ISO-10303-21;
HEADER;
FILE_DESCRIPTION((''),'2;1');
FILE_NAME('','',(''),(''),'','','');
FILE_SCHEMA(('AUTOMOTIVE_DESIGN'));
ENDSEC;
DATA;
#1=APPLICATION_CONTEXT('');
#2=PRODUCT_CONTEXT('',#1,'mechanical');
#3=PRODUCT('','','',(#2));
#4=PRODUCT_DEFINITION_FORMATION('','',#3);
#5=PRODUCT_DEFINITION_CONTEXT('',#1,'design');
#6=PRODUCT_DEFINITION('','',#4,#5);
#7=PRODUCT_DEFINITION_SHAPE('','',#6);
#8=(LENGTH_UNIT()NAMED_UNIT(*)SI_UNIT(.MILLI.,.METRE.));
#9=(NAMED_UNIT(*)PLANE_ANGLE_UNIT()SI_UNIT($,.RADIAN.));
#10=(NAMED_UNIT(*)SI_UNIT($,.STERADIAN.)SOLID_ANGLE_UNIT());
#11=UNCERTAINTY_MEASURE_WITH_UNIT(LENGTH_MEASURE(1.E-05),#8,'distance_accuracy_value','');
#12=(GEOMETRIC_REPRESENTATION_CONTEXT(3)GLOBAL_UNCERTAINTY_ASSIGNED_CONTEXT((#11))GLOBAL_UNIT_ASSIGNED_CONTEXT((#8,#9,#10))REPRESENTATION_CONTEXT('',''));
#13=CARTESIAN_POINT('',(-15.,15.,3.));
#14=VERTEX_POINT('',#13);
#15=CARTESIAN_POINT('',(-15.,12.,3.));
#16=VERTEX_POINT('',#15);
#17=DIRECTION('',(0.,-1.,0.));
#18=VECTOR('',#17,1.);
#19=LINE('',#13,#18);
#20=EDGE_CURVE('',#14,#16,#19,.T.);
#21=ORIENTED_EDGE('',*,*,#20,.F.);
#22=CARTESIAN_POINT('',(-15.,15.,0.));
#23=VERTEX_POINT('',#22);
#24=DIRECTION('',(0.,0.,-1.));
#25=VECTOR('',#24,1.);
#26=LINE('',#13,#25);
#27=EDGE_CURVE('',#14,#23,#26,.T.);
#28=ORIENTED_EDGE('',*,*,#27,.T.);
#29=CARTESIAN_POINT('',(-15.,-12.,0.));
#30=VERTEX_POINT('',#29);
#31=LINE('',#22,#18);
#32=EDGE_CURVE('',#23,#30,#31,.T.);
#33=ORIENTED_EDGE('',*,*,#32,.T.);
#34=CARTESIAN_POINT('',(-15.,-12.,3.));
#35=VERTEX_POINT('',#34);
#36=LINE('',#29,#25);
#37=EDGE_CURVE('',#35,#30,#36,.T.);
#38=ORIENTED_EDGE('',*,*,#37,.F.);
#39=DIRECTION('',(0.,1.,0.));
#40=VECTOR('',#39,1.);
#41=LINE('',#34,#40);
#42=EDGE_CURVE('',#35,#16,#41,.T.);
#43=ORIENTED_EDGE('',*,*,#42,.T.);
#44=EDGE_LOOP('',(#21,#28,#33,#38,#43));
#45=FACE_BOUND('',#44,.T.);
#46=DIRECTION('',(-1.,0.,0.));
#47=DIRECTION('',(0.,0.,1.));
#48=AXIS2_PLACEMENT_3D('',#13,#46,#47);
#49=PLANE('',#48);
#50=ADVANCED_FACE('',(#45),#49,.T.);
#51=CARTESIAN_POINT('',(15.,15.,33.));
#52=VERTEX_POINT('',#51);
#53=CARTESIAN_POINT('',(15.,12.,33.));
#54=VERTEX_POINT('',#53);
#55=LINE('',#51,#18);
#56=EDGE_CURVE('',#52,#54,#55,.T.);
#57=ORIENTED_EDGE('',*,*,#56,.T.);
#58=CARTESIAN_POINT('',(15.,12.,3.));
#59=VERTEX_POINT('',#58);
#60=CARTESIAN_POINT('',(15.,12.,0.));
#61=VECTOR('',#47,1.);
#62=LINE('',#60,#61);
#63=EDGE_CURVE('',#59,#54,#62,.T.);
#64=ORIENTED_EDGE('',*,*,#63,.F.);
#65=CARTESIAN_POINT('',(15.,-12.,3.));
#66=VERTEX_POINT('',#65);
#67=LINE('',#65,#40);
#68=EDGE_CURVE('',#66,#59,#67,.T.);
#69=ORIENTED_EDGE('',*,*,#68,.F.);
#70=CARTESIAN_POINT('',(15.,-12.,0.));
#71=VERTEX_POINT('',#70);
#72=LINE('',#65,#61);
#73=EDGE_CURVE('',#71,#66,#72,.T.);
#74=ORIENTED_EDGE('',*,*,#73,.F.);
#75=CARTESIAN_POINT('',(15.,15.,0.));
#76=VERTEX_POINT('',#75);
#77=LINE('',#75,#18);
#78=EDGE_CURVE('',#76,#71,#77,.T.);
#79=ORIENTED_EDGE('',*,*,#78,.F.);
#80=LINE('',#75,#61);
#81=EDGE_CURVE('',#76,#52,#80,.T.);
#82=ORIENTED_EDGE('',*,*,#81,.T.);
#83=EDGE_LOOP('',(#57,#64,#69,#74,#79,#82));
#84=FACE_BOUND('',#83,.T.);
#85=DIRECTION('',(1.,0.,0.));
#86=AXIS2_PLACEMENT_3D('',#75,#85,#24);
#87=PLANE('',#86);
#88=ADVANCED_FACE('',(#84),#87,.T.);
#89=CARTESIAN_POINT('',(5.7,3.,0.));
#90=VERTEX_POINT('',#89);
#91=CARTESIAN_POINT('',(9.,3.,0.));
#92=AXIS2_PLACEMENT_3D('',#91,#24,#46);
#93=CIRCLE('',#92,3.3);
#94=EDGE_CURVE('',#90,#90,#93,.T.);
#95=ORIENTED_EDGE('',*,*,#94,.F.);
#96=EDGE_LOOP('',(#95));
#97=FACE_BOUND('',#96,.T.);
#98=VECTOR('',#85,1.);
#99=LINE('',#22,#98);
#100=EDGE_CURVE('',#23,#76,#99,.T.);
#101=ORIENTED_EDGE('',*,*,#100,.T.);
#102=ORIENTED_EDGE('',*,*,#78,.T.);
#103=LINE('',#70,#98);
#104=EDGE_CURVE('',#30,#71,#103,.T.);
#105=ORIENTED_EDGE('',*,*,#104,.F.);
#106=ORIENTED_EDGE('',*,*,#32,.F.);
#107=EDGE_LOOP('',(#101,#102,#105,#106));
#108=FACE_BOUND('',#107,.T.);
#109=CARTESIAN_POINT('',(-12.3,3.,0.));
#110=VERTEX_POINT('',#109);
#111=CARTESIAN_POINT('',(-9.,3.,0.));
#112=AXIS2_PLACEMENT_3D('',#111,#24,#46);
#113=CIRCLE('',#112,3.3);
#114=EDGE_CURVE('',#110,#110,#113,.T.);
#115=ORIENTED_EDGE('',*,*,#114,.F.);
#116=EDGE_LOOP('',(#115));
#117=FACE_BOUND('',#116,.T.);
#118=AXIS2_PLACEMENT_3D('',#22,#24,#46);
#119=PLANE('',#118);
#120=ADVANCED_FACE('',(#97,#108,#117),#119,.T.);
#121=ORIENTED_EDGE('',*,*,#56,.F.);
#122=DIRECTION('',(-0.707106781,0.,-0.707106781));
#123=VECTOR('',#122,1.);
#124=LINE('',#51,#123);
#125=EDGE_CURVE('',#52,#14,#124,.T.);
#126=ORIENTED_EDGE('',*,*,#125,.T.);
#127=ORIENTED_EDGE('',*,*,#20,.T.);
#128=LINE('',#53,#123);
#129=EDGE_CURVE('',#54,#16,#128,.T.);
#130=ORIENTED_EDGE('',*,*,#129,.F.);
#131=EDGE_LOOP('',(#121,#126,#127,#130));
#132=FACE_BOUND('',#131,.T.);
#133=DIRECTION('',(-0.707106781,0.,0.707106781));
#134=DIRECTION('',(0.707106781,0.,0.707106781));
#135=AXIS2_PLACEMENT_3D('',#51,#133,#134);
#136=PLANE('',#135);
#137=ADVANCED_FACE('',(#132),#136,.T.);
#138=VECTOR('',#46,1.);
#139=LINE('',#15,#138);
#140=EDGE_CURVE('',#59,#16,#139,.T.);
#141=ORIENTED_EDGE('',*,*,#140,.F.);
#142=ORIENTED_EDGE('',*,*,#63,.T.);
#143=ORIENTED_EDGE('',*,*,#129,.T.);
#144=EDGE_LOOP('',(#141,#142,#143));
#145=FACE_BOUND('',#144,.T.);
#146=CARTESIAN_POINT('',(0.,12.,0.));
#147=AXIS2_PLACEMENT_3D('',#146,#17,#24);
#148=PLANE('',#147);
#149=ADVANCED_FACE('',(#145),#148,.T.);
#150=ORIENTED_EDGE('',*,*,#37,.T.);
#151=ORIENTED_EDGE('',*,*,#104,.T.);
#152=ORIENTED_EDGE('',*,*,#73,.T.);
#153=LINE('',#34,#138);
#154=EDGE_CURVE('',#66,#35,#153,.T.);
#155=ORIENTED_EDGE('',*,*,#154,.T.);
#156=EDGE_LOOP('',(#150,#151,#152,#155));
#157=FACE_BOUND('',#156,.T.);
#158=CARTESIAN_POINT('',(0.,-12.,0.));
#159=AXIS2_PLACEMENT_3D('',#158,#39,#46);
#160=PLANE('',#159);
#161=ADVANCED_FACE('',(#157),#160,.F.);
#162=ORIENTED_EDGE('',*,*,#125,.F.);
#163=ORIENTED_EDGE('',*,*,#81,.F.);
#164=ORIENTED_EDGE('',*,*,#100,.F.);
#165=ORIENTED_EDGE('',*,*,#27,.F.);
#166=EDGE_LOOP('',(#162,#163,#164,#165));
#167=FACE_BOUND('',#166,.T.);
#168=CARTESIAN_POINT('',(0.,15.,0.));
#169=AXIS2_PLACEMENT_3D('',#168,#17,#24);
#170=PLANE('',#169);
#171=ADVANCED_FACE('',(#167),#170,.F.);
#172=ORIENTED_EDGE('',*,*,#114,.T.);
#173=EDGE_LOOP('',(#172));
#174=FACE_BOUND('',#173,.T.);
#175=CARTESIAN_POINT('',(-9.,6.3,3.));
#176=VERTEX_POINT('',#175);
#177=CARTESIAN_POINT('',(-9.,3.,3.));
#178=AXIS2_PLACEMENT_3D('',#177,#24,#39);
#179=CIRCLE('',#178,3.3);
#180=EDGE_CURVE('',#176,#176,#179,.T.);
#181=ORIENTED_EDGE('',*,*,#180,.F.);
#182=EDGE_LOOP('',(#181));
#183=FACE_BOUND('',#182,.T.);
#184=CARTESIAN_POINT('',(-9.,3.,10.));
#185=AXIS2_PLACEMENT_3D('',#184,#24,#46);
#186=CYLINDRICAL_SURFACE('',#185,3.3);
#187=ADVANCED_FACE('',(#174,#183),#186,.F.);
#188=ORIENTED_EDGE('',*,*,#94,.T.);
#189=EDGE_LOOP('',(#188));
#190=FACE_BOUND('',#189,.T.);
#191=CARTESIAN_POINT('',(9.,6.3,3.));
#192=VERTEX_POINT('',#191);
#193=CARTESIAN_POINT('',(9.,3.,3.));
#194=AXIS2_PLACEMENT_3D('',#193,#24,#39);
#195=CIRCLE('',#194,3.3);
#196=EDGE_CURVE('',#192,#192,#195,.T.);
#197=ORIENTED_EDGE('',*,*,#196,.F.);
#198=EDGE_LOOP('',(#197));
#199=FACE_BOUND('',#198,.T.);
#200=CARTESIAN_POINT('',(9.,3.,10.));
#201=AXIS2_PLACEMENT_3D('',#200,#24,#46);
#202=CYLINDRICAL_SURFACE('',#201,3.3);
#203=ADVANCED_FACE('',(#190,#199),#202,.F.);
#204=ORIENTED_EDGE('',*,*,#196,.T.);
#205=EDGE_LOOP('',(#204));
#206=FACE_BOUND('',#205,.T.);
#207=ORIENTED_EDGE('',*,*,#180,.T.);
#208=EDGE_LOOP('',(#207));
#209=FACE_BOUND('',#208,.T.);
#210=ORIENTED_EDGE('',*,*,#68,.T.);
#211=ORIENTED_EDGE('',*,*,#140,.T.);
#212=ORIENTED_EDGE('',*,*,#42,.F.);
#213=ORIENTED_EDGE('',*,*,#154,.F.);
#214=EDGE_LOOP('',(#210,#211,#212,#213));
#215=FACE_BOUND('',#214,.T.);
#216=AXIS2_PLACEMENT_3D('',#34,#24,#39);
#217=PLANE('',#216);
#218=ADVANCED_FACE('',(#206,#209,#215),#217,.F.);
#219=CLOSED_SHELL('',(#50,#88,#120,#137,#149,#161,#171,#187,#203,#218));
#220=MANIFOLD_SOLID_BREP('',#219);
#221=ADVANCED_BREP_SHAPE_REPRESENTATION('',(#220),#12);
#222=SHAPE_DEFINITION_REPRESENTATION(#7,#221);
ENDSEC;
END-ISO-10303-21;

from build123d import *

# Parameters (mm, degrees)
BOSS_EXTRUDE1_DEPTH = 3
SKETCH2_W           = 30
SKETCH2_H           = 3
BOSS_EXTRUDE2_DEPTH = 24
SKETCH5_R           = 3.3
CUT_EXTRUDE1_DEPTH  = 10


with BuildPart() as part:
    # Sketch1 → Boss-Extrude1 (new body)
    with BuildSketch(Plane.XZ.offset(-12)):
        Polygon((15, 0), (15, 33), (-15, 3), (-15, 0), align=None)
    extrude(amount=-BOSS_EXTRUDE1_DEPTH)

    # Sketch2 → Boss-Extrude2 (add)
    with BuildSketch(Plane.XZ.offset(-12)):
        with Locations((0, 1.5)):
            Rectangle(SKETCH2_W, SKETCH2_H)
    extrude(amount=BOSS_EXTRUDE2_DEPTH)

    # Sketch5 → Cut-Extrude1 (cut)
    with BuildSketch(Plane(origin=(0, 0, 0), x_dir=(-1, 0, 0), z_dir=(0, 0, -1))):
        with Locations((-9, 3)):
            Circle(SKETCH5_R)
        with Locations((9, 3)):
            Circle(SKETCH5_R)
    extrude(amount=-CUT_EXTRUDE1_DEPTH, mode=Mode.SUBTRACT)


solid = part.part
